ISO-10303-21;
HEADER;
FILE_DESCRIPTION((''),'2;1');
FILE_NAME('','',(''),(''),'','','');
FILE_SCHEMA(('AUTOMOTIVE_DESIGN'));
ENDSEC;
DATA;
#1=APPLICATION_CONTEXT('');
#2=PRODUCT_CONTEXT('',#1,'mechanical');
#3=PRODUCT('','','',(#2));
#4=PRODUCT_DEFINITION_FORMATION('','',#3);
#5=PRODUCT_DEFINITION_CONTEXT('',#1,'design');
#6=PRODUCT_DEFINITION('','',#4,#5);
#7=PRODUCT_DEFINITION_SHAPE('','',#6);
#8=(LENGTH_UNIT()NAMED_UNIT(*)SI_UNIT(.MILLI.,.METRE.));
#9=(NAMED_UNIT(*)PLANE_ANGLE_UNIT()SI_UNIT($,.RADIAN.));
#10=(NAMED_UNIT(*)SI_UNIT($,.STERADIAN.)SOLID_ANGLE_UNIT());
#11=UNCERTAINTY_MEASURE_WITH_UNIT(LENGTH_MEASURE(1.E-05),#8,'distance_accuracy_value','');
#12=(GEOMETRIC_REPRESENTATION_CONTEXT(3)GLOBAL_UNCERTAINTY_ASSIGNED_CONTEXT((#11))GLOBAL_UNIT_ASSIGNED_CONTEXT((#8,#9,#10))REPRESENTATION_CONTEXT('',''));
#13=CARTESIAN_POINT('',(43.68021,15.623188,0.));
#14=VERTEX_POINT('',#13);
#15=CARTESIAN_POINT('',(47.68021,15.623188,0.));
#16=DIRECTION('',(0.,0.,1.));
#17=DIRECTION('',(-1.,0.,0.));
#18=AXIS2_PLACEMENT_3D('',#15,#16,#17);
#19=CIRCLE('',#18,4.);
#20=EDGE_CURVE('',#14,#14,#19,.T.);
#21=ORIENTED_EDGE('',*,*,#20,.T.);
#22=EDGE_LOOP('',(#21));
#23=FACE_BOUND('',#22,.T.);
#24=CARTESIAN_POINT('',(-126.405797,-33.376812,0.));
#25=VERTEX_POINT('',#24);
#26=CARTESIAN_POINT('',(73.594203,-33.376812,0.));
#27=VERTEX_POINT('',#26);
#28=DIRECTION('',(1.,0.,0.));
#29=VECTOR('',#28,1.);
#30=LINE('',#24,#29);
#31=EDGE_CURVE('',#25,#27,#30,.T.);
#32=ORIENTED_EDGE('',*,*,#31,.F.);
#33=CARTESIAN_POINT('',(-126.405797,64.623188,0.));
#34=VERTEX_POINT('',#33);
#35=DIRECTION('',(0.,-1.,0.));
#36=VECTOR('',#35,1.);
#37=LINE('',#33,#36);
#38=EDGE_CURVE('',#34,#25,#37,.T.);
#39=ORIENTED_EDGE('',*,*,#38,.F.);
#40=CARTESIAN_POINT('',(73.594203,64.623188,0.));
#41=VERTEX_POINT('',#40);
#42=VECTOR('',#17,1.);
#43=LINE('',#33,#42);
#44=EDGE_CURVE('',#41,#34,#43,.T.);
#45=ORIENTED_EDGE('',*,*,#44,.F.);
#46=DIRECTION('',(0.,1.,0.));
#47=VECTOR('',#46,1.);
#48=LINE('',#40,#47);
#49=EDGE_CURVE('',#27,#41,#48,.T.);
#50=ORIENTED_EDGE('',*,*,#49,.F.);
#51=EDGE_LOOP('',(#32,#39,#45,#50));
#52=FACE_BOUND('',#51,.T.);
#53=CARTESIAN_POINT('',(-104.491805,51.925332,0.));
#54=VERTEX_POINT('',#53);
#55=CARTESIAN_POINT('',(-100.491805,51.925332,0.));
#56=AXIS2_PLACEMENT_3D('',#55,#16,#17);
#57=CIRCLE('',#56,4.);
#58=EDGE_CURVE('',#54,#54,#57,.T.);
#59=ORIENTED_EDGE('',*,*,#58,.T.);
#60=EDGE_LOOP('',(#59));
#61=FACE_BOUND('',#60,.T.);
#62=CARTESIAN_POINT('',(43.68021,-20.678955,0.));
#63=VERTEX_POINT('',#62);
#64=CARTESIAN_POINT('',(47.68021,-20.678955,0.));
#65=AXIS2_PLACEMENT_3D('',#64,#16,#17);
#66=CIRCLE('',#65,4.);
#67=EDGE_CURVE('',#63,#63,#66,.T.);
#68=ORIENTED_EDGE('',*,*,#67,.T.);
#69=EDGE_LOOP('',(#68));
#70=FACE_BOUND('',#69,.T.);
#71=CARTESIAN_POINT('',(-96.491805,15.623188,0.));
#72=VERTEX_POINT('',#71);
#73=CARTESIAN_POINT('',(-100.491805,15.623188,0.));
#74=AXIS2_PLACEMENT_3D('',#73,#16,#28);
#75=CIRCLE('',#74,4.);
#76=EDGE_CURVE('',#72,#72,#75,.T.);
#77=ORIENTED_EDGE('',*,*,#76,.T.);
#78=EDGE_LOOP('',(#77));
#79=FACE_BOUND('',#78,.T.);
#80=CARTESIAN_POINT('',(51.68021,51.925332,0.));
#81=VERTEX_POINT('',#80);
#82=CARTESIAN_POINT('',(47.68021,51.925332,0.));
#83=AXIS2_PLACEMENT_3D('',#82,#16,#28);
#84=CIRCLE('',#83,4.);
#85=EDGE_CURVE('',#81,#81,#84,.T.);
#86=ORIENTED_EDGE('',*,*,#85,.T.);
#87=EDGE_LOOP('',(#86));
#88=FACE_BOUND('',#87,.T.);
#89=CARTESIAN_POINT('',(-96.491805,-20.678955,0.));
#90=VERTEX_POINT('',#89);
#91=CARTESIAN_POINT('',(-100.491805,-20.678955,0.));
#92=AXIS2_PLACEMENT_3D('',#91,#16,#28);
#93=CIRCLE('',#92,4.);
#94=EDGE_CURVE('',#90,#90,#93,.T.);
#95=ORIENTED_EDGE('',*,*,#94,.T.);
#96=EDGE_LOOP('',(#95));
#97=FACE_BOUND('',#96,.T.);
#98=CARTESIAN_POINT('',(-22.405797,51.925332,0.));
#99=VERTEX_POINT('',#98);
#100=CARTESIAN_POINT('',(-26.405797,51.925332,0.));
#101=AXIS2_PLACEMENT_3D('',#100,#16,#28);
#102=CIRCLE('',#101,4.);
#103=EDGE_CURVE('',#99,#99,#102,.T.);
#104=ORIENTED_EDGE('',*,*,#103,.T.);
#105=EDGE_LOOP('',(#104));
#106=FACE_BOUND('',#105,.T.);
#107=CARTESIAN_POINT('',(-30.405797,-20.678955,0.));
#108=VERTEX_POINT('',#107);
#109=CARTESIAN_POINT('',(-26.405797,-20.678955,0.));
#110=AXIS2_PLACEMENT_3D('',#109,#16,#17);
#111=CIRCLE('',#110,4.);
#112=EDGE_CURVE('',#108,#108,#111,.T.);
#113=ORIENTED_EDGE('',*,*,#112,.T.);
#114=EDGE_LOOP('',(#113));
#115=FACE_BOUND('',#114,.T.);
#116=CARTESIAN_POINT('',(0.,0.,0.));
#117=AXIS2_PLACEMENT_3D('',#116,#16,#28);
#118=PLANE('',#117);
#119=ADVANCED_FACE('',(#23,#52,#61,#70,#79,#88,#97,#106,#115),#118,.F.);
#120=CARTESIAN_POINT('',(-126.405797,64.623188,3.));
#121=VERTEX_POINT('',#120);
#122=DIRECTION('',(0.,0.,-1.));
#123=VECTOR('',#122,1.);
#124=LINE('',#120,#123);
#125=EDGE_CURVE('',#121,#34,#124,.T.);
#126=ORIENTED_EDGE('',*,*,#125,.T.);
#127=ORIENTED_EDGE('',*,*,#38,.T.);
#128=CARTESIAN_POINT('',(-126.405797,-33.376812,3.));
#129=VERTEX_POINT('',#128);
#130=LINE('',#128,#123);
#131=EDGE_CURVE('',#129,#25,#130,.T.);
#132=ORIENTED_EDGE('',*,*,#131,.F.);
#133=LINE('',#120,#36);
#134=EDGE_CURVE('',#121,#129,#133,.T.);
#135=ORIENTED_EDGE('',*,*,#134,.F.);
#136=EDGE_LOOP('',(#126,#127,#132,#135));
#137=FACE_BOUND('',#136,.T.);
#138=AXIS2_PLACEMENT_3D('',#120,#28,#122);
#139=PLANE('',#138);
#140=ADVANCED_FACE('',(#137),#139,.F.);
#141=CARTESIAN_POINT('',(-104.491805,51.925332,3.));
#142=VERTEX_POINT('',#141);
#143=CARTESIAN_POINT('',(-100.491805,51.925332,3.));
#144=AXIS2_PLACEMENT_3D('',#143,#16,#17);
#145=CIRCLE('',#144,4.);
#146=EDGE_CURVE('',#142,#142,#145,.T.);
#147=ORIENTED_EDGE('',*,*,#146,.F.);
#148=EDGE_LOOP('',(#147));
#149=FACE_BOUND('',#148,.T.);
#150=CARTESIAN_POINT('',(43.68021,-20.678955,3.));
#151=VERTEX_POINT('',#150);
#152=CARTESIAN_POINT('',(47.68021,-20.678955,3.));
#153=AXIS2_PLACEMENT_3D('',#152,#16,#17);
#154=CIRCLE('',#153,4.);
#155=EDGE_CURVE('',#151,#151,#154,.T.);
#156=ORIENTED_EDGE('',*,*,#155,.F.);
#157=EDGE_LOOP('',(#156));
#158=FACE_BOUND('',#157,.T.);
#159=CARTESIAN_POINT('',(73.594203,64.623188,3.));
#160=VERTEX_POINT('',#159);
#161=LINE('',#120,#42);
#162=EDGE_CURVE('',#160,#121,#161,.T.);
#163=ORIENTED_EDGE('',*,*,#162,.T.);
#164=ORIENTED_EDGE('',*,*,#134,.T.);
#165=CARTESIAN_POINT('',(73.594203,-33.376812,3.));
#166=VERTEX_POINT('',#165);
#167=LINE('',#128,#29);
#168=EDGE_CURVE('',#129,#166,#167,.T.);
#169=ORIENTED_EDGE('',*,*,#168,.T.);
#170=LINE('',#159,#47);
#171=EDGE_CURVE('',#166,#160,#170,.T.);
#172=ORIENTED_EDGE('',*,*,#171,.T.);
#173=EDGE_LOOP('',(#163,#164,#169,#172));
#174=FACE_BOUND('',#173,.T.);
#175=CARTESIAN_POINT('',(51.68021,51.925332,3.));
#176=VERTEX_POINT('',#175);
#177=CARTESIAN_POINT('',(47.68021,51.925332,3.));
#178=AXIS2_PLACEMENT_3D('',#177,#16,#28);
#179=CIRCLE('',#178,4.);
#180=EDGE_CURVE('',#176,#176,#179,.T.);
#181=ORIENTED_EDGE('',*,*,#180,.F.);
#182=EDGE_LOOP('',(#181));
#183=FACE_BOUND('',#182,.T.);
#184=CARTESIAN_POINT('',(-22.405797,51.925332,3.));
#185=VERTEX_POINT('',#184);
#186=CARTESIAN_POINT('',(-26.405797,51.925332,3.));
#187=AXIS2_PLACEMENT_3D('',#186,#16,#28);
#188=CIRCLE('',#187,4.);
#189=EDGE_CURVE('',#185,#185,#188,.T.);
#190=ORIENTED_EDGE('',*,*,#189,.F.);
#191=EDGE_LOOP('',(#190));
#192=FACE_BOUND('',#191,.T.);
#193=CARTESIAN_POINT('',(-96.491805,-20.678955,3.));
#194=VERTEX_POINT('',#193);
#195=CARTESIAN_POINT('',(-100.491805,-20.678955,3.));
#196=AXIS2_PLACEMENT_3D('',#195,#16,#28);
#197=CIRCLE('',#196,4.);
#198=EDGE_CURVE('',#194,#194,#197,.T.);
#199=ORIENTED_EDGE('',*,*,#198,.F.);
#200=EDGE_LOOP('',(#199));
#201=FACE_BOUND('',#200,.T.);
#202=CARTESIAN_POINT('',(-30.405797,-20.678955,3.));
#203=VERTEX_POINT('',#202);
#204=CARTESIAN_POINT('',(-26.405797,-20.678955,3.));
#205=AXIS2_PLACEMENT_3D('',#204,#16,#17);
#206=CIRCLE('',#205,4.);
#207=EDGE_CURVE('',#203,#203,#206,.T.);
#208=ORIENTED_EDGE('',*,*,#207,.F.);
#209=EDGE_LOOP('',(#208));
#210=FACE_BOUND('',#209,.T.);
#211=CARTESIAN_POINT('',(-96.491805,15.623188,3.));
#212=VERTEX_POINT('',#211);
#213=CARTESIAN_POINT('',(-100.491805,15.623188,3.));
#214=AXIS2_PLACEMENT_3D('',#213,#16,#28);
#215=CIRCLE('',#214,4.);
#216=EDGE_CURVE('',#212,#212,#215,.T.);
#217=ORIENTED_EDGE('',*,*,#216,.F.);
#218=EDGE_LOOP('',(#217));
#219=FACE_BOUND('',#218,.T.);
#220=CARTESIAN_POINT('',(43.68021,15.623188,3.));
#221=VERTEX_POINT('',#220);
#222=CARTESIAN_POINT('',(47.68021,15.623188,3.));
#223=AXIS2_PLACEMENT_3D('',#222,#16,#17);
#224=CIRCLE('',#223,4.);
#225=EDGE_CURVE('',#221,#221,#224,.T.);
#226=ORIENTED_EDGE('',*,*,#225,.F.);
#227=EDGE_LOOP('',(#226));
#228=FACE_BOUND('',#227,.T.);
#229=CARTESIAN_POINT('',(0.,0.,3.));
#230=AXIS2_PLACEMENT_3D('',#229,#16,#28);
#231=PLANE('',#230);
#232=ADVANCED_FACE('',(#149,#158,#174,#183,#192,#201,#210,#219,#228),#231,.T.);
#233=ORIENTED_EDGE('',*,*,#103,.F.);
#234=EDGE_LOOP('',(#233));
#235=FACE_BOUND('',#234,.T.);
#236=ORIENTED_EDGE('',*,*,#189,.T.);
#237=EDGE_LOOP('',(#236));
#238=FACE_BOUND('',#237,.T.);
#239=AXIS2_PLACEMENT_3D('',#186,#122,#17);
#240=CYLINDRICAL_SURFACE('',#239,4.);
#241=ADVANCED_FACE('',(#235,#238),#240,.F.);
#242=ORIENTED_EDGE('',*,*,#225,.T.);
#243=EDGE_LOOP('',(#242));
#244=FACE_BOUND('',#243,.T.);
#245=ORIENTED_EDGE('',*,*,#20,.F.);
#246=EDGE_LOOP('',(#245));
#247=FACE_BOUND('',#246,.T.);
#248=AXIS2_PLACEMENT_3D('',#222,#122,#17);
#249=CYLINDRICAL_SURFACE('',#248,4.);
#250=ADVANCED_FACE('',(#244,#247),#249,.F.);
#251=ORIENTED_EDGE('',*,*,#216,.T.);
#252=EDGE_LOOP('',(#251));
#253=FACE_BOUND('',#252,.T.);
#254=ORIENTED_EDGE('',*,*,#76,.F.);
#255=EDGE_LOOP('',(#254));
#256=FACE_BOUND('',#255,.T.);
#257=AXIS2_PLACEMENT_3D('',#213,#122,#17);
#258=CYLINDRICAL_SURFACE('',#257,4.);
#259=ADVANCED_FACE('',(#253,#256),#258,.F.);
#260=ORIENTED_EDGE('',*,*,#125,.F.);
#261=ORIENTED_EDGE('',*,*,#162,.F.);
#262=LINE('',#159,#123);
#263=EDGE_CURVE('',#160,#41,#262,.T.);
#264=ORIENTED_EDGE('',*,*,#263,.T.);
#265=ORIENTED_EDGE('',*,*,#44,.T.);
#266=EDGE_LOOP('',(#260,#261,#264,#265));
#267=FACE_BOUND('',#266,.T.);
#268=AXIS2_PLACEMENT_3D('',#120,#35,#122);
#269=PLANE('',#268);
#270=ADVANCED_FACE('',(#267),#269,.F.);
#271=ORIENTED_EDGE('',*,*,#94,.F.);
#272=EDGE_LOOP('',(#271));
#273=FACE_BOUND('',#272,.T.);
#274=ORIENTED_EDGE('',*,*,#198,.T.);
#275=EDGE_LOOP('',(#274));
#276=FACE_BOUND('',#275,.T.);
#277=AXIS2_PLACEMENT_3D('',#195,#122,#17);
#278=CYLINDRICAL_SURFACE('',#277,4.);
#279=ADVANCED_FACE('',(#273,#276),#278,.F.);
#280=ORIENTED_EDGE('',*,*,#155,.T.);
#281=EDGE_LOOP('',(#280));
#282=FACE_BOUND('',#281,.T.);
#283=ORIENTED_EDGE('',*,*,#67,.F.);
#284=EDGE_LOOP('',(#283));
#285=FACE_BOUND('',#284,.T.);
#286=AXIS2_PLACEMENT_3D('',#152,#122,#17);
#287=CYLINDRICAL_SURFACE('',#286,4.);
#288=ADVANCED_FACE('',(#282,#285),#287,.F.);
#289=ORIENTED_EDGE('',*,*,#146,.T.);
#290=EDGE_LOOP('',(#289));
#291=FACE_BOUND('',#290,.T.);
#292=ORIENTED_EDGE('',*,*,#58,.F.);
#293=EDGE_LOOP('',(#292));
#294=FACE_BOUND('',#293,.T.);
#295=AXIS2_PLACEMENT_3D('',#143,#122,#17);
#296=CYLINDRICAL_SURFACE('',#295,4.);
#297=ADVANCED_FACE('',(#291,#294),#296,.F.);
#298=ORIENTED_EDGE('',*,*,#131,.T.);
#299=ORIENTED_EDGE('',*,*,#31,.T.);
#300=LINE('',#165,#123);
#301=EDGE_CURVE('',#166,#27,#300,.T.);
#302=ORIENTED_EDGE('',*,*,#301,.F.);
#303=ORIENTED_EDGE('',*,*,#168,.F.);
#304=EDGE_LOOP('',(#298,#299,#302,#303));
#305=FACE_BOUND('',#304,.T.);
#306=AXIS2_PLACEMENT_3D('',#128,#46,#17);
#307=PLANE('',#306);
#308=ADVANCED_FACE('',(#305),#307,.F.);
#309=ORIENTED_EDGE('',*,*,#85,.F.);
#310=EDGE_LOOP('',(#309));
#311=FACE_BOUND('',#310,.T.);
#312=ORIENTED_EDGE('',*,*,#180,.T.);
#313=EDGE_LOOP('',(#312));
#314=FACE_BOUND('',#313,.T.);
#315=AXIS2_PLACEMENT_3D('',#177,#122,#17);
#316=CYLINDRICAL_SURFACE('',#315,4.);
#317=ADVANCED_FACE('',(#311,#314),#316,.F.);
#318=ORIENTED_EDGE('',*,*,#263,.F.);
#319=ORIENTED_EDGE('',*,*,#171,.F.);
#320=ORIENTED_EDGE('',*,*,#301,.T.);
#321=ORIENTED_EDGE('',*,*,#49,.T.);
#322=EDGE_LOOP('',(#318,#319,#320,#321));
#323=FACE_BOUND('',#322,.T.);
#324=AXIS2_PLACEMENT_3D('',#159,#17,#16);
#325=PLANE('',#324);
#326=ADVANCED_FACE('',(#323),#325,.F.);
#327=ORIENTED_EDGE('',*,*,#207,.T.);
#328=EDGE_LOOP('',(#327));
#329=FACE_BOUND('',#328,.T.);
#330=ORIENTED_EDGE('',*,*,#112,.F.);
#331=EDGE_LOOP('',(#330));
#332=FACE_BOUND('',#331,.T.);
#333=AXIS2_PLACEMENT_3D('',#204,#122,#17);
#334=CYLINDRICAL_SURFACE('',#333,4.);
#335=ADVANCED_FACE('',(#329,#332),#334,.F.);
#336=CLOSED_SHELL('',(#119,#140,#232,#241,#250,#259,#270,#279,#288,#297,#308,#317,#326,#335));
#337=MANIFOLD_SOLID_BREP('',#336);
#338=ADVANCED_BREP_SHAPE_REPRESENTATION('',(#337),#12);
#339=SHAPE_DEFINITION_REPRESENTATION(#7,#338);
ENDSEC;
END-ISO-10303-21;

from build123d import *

# Parameters (mm, degrees)
SKETCH1_W           = 200
SKETCH1_H           = 98
SKETCH1_R           = 4
BOSS_EXTRUDE1_DEPTH = 3


with BuildPart() as part:
    # Sketch1 → Boss-Extrude1 (new body)
    with BuildSketch(Plane.XY):
        with Locations((-26.405797101, 15.623188406)):
            Rectangle(SKETCH1_W, SKETCH1_H)
        with Locations((47.680210455, 51.925332109)):
            Circle(SKETCH1_R, mode=Mode.SUBTRACT)
        with Locations(Location((-100.491804658, 51.925332109, 0), (0, 0, 180))):
            Circle(SKETCH1_R, mode=Mode.SUBTRACT)
        with Locations((-100.491804658, -20.678955297)):
            Circle(SKETCH1_R, mode=Mode.SUBTRACT)
        with Locations(Location((47.680210455, -20.678955297, 0), (0, 0, 180))):
            Circle(SKETCH1_R, mode=Mode.SUBTRACT)
        with Locations((-100.491804658, 15.623188406)):
            Circle(SKETCH1_R, mode=Mode.SUBTRACT)
        with Locations(Location((47.680210455, 15.623188406, 0), (0, 0, 180))):
            Circle(SKETCH1_R, mode=Mode.SUBTRACT)
        with Locations((-26.405797101, 51.925332109)):
            Circle(SKETCH1_R, mode=Mode.SUBTRACT)
        with Locations(Location((-26.405797101, -20.678955297, 0), (0, 0, 180))):
            Circle(SKETCH1_R, mode=Mode.SUBTRACT)
    extrude(amount=BOSS_EXTRUDE1_DEPTH)


solid = part.part
